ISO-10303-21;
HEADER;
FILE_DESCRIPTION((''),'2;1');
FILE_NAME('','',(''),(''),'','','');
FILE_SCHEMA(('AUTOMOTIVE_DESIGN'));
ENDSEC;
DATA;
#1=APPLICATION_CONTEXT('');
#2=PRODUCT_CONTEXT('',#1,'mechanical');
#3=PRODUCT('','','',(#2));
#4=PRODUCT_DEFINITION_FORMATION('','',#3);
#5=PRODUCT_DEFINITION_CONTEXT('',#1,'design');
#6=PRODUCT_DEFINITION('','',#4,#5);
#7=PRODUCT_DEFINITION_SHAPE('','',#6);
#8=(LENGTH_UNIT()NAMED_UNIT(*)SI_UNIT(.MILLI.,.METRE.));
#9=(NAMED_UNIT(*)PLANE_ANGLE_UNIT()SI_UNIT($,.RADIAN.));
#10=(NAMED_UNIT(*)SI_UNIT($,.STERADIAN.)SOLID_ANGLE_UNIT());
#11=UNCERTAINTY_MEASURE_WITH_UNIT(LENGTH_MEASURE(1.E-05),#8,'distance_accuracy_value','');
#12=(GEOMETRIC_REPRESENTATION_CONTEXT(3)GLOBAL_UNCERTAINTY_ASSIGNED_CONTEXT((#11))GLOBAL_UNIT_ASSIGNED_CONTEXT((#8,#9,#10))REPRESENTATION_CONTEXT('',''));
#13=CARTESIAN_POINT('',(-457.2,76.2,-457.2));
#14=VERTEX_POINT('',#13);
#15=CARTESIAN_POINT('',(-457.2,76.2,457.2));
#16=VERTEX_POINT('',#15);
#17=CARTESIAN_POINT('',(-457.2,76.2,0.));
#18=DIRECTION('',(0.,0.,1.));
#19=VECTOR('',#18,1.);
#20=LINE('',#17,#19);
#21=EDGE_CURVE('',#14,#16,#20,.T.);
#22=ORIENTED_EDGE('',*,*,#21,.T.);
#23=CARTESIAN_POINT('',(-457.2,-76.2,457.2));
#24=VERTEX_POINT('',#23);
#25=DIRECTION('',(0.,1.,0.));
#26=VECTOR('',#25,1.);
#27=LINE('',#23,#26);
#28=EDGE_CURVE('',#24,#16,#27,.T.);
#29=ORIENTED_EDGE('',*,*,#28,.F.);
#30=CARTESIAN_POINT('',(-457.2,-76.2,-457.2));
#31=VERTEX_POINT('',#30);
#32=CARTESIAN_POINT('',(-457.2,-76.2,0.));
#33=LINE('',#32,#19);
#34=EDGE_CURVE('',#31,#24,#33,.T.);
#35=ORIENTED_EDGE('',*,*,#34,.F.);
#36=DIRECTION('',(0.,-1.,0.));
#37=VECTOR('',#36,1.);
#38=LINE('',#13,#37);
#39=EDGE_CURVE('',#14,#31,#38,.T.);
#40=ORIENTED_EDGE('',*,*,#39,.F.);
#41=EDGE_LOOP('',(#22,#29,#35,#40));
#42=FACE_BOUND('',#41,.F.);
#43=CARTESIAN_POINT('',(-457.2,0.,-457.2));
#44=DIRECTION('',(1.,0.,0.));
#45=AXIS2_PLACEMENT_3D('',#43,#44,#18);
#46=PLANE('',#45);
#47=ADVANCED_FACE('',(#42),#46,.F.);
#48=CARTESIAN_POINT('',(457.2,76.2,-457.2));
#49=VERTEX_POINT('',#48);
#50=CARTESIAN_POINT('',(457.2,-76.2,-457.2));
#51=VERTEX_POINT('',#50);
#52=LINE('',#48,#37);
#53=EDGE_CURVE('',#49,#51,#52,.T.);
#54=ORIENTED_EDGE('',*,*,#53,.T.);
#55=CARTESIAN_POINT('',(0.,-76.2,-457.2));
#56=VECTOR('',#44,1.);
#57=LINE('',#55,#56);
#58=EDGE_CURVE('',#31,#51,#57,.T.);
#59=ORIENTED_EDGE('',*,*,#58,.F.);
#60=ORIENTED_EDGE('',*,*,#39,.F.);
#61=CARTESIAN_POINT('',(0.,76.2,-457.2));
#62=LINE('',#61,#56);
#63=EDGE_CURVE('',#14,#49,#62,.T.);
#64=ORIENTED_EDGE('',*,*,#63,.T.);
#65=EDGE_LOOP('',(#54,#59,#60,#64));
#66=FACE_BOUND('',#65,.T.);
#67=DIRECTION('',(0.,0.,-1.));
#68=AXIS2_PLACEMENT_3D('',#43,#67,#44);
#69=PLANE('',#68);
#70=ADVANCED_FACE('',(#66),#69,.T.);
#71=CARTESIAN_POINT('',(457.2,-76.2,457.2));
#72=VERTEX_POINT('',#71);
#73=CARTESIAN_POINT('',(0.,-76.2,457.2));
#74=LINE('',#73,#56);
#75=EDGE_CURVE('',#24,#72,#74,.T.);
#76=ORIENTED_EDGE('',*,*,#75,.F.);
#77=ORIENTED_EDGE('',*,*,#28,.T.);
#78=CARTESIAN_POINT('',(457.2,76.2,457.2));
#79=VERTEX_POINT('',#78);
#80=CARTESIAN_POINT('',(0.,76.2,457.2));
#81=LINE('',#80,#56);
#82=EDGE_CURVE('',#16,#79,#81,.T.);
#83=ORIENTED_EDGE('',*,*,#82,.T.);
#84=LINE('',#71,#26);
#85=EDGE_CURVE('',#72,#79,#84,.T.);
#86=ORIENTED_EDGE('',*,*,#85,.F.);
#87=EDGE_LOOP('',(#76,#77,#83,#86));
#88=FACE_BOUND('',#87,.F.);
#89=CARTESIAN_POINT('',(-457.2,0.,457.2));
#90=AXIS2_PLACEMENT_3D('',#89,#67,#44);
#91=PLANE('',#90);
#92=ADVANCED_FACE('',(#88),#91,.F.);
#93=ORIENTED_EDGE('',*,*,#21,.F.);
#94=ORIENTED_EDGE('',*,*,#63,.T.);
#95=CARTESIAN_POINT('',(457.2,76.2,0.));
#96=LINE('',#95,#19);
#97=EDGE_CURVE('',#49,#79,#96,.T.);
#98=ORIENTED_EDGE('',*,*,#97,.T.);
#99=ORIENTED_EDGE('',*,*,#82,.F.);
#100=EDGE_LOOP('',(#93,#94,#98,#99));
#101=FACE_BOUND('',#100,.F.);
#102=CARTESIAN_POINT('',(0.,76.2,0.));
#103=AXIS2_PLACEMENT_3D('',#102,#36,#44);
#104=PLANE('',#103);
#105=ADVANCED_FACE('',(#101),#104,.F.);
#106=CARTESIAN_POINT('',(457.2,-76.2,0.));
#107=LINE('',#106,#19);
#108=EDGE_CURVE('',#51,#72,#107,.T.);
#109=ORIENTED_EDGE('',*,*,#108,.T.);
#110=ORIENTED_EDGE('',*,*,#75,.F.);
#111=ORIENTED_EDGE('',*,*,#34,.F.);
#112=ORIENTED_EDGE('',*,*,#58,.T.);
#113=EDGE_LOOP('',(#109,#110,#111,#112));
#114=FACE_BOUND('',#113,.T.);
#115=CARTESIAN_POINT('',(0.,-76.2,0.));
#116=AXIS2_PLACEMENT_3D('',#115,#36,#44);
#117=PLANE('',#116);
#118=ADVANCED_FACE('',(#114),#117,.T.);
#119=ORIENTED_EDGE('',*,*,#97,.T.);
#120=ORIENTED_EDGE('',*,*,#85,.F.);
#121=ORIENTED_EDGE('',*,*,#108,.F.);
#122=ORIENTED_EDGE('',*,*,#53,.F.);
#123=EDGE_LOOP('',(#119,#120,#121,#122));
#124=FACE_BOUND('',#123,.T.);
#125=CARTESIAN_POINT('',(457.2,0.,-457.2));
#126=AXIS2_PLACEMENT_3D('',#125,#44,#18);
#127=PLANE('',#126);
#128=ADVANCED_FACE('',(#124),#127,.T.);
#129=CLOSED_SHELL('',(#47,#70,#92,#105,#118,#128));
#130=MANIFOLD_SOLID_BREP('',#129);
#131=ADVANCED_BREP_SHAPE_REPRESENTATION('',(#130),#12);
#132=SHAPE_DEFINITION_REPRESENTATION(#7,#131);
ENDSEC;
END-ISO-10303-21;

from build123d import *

# Parameters (mm, degrees)
F4_W     = 914.4
F4_H     = 914.4
F5_DEPTH = 76.2


with BuildPart() as f5:
    # F4 (on Front) → F5 (new body, symmetric)
    with BuildSketch(Plane.XZ):
        Rectangle(F4_W, F4_H)
    extrude(amount=F5_DEPTH, both=True)


with BuildPart() as f5_1:
    # F6: moved
    add(f5.part)


with BuildPart() as f5_2:
    # F7: moved
    add(f5_1.part)


solid = f5_2.part
